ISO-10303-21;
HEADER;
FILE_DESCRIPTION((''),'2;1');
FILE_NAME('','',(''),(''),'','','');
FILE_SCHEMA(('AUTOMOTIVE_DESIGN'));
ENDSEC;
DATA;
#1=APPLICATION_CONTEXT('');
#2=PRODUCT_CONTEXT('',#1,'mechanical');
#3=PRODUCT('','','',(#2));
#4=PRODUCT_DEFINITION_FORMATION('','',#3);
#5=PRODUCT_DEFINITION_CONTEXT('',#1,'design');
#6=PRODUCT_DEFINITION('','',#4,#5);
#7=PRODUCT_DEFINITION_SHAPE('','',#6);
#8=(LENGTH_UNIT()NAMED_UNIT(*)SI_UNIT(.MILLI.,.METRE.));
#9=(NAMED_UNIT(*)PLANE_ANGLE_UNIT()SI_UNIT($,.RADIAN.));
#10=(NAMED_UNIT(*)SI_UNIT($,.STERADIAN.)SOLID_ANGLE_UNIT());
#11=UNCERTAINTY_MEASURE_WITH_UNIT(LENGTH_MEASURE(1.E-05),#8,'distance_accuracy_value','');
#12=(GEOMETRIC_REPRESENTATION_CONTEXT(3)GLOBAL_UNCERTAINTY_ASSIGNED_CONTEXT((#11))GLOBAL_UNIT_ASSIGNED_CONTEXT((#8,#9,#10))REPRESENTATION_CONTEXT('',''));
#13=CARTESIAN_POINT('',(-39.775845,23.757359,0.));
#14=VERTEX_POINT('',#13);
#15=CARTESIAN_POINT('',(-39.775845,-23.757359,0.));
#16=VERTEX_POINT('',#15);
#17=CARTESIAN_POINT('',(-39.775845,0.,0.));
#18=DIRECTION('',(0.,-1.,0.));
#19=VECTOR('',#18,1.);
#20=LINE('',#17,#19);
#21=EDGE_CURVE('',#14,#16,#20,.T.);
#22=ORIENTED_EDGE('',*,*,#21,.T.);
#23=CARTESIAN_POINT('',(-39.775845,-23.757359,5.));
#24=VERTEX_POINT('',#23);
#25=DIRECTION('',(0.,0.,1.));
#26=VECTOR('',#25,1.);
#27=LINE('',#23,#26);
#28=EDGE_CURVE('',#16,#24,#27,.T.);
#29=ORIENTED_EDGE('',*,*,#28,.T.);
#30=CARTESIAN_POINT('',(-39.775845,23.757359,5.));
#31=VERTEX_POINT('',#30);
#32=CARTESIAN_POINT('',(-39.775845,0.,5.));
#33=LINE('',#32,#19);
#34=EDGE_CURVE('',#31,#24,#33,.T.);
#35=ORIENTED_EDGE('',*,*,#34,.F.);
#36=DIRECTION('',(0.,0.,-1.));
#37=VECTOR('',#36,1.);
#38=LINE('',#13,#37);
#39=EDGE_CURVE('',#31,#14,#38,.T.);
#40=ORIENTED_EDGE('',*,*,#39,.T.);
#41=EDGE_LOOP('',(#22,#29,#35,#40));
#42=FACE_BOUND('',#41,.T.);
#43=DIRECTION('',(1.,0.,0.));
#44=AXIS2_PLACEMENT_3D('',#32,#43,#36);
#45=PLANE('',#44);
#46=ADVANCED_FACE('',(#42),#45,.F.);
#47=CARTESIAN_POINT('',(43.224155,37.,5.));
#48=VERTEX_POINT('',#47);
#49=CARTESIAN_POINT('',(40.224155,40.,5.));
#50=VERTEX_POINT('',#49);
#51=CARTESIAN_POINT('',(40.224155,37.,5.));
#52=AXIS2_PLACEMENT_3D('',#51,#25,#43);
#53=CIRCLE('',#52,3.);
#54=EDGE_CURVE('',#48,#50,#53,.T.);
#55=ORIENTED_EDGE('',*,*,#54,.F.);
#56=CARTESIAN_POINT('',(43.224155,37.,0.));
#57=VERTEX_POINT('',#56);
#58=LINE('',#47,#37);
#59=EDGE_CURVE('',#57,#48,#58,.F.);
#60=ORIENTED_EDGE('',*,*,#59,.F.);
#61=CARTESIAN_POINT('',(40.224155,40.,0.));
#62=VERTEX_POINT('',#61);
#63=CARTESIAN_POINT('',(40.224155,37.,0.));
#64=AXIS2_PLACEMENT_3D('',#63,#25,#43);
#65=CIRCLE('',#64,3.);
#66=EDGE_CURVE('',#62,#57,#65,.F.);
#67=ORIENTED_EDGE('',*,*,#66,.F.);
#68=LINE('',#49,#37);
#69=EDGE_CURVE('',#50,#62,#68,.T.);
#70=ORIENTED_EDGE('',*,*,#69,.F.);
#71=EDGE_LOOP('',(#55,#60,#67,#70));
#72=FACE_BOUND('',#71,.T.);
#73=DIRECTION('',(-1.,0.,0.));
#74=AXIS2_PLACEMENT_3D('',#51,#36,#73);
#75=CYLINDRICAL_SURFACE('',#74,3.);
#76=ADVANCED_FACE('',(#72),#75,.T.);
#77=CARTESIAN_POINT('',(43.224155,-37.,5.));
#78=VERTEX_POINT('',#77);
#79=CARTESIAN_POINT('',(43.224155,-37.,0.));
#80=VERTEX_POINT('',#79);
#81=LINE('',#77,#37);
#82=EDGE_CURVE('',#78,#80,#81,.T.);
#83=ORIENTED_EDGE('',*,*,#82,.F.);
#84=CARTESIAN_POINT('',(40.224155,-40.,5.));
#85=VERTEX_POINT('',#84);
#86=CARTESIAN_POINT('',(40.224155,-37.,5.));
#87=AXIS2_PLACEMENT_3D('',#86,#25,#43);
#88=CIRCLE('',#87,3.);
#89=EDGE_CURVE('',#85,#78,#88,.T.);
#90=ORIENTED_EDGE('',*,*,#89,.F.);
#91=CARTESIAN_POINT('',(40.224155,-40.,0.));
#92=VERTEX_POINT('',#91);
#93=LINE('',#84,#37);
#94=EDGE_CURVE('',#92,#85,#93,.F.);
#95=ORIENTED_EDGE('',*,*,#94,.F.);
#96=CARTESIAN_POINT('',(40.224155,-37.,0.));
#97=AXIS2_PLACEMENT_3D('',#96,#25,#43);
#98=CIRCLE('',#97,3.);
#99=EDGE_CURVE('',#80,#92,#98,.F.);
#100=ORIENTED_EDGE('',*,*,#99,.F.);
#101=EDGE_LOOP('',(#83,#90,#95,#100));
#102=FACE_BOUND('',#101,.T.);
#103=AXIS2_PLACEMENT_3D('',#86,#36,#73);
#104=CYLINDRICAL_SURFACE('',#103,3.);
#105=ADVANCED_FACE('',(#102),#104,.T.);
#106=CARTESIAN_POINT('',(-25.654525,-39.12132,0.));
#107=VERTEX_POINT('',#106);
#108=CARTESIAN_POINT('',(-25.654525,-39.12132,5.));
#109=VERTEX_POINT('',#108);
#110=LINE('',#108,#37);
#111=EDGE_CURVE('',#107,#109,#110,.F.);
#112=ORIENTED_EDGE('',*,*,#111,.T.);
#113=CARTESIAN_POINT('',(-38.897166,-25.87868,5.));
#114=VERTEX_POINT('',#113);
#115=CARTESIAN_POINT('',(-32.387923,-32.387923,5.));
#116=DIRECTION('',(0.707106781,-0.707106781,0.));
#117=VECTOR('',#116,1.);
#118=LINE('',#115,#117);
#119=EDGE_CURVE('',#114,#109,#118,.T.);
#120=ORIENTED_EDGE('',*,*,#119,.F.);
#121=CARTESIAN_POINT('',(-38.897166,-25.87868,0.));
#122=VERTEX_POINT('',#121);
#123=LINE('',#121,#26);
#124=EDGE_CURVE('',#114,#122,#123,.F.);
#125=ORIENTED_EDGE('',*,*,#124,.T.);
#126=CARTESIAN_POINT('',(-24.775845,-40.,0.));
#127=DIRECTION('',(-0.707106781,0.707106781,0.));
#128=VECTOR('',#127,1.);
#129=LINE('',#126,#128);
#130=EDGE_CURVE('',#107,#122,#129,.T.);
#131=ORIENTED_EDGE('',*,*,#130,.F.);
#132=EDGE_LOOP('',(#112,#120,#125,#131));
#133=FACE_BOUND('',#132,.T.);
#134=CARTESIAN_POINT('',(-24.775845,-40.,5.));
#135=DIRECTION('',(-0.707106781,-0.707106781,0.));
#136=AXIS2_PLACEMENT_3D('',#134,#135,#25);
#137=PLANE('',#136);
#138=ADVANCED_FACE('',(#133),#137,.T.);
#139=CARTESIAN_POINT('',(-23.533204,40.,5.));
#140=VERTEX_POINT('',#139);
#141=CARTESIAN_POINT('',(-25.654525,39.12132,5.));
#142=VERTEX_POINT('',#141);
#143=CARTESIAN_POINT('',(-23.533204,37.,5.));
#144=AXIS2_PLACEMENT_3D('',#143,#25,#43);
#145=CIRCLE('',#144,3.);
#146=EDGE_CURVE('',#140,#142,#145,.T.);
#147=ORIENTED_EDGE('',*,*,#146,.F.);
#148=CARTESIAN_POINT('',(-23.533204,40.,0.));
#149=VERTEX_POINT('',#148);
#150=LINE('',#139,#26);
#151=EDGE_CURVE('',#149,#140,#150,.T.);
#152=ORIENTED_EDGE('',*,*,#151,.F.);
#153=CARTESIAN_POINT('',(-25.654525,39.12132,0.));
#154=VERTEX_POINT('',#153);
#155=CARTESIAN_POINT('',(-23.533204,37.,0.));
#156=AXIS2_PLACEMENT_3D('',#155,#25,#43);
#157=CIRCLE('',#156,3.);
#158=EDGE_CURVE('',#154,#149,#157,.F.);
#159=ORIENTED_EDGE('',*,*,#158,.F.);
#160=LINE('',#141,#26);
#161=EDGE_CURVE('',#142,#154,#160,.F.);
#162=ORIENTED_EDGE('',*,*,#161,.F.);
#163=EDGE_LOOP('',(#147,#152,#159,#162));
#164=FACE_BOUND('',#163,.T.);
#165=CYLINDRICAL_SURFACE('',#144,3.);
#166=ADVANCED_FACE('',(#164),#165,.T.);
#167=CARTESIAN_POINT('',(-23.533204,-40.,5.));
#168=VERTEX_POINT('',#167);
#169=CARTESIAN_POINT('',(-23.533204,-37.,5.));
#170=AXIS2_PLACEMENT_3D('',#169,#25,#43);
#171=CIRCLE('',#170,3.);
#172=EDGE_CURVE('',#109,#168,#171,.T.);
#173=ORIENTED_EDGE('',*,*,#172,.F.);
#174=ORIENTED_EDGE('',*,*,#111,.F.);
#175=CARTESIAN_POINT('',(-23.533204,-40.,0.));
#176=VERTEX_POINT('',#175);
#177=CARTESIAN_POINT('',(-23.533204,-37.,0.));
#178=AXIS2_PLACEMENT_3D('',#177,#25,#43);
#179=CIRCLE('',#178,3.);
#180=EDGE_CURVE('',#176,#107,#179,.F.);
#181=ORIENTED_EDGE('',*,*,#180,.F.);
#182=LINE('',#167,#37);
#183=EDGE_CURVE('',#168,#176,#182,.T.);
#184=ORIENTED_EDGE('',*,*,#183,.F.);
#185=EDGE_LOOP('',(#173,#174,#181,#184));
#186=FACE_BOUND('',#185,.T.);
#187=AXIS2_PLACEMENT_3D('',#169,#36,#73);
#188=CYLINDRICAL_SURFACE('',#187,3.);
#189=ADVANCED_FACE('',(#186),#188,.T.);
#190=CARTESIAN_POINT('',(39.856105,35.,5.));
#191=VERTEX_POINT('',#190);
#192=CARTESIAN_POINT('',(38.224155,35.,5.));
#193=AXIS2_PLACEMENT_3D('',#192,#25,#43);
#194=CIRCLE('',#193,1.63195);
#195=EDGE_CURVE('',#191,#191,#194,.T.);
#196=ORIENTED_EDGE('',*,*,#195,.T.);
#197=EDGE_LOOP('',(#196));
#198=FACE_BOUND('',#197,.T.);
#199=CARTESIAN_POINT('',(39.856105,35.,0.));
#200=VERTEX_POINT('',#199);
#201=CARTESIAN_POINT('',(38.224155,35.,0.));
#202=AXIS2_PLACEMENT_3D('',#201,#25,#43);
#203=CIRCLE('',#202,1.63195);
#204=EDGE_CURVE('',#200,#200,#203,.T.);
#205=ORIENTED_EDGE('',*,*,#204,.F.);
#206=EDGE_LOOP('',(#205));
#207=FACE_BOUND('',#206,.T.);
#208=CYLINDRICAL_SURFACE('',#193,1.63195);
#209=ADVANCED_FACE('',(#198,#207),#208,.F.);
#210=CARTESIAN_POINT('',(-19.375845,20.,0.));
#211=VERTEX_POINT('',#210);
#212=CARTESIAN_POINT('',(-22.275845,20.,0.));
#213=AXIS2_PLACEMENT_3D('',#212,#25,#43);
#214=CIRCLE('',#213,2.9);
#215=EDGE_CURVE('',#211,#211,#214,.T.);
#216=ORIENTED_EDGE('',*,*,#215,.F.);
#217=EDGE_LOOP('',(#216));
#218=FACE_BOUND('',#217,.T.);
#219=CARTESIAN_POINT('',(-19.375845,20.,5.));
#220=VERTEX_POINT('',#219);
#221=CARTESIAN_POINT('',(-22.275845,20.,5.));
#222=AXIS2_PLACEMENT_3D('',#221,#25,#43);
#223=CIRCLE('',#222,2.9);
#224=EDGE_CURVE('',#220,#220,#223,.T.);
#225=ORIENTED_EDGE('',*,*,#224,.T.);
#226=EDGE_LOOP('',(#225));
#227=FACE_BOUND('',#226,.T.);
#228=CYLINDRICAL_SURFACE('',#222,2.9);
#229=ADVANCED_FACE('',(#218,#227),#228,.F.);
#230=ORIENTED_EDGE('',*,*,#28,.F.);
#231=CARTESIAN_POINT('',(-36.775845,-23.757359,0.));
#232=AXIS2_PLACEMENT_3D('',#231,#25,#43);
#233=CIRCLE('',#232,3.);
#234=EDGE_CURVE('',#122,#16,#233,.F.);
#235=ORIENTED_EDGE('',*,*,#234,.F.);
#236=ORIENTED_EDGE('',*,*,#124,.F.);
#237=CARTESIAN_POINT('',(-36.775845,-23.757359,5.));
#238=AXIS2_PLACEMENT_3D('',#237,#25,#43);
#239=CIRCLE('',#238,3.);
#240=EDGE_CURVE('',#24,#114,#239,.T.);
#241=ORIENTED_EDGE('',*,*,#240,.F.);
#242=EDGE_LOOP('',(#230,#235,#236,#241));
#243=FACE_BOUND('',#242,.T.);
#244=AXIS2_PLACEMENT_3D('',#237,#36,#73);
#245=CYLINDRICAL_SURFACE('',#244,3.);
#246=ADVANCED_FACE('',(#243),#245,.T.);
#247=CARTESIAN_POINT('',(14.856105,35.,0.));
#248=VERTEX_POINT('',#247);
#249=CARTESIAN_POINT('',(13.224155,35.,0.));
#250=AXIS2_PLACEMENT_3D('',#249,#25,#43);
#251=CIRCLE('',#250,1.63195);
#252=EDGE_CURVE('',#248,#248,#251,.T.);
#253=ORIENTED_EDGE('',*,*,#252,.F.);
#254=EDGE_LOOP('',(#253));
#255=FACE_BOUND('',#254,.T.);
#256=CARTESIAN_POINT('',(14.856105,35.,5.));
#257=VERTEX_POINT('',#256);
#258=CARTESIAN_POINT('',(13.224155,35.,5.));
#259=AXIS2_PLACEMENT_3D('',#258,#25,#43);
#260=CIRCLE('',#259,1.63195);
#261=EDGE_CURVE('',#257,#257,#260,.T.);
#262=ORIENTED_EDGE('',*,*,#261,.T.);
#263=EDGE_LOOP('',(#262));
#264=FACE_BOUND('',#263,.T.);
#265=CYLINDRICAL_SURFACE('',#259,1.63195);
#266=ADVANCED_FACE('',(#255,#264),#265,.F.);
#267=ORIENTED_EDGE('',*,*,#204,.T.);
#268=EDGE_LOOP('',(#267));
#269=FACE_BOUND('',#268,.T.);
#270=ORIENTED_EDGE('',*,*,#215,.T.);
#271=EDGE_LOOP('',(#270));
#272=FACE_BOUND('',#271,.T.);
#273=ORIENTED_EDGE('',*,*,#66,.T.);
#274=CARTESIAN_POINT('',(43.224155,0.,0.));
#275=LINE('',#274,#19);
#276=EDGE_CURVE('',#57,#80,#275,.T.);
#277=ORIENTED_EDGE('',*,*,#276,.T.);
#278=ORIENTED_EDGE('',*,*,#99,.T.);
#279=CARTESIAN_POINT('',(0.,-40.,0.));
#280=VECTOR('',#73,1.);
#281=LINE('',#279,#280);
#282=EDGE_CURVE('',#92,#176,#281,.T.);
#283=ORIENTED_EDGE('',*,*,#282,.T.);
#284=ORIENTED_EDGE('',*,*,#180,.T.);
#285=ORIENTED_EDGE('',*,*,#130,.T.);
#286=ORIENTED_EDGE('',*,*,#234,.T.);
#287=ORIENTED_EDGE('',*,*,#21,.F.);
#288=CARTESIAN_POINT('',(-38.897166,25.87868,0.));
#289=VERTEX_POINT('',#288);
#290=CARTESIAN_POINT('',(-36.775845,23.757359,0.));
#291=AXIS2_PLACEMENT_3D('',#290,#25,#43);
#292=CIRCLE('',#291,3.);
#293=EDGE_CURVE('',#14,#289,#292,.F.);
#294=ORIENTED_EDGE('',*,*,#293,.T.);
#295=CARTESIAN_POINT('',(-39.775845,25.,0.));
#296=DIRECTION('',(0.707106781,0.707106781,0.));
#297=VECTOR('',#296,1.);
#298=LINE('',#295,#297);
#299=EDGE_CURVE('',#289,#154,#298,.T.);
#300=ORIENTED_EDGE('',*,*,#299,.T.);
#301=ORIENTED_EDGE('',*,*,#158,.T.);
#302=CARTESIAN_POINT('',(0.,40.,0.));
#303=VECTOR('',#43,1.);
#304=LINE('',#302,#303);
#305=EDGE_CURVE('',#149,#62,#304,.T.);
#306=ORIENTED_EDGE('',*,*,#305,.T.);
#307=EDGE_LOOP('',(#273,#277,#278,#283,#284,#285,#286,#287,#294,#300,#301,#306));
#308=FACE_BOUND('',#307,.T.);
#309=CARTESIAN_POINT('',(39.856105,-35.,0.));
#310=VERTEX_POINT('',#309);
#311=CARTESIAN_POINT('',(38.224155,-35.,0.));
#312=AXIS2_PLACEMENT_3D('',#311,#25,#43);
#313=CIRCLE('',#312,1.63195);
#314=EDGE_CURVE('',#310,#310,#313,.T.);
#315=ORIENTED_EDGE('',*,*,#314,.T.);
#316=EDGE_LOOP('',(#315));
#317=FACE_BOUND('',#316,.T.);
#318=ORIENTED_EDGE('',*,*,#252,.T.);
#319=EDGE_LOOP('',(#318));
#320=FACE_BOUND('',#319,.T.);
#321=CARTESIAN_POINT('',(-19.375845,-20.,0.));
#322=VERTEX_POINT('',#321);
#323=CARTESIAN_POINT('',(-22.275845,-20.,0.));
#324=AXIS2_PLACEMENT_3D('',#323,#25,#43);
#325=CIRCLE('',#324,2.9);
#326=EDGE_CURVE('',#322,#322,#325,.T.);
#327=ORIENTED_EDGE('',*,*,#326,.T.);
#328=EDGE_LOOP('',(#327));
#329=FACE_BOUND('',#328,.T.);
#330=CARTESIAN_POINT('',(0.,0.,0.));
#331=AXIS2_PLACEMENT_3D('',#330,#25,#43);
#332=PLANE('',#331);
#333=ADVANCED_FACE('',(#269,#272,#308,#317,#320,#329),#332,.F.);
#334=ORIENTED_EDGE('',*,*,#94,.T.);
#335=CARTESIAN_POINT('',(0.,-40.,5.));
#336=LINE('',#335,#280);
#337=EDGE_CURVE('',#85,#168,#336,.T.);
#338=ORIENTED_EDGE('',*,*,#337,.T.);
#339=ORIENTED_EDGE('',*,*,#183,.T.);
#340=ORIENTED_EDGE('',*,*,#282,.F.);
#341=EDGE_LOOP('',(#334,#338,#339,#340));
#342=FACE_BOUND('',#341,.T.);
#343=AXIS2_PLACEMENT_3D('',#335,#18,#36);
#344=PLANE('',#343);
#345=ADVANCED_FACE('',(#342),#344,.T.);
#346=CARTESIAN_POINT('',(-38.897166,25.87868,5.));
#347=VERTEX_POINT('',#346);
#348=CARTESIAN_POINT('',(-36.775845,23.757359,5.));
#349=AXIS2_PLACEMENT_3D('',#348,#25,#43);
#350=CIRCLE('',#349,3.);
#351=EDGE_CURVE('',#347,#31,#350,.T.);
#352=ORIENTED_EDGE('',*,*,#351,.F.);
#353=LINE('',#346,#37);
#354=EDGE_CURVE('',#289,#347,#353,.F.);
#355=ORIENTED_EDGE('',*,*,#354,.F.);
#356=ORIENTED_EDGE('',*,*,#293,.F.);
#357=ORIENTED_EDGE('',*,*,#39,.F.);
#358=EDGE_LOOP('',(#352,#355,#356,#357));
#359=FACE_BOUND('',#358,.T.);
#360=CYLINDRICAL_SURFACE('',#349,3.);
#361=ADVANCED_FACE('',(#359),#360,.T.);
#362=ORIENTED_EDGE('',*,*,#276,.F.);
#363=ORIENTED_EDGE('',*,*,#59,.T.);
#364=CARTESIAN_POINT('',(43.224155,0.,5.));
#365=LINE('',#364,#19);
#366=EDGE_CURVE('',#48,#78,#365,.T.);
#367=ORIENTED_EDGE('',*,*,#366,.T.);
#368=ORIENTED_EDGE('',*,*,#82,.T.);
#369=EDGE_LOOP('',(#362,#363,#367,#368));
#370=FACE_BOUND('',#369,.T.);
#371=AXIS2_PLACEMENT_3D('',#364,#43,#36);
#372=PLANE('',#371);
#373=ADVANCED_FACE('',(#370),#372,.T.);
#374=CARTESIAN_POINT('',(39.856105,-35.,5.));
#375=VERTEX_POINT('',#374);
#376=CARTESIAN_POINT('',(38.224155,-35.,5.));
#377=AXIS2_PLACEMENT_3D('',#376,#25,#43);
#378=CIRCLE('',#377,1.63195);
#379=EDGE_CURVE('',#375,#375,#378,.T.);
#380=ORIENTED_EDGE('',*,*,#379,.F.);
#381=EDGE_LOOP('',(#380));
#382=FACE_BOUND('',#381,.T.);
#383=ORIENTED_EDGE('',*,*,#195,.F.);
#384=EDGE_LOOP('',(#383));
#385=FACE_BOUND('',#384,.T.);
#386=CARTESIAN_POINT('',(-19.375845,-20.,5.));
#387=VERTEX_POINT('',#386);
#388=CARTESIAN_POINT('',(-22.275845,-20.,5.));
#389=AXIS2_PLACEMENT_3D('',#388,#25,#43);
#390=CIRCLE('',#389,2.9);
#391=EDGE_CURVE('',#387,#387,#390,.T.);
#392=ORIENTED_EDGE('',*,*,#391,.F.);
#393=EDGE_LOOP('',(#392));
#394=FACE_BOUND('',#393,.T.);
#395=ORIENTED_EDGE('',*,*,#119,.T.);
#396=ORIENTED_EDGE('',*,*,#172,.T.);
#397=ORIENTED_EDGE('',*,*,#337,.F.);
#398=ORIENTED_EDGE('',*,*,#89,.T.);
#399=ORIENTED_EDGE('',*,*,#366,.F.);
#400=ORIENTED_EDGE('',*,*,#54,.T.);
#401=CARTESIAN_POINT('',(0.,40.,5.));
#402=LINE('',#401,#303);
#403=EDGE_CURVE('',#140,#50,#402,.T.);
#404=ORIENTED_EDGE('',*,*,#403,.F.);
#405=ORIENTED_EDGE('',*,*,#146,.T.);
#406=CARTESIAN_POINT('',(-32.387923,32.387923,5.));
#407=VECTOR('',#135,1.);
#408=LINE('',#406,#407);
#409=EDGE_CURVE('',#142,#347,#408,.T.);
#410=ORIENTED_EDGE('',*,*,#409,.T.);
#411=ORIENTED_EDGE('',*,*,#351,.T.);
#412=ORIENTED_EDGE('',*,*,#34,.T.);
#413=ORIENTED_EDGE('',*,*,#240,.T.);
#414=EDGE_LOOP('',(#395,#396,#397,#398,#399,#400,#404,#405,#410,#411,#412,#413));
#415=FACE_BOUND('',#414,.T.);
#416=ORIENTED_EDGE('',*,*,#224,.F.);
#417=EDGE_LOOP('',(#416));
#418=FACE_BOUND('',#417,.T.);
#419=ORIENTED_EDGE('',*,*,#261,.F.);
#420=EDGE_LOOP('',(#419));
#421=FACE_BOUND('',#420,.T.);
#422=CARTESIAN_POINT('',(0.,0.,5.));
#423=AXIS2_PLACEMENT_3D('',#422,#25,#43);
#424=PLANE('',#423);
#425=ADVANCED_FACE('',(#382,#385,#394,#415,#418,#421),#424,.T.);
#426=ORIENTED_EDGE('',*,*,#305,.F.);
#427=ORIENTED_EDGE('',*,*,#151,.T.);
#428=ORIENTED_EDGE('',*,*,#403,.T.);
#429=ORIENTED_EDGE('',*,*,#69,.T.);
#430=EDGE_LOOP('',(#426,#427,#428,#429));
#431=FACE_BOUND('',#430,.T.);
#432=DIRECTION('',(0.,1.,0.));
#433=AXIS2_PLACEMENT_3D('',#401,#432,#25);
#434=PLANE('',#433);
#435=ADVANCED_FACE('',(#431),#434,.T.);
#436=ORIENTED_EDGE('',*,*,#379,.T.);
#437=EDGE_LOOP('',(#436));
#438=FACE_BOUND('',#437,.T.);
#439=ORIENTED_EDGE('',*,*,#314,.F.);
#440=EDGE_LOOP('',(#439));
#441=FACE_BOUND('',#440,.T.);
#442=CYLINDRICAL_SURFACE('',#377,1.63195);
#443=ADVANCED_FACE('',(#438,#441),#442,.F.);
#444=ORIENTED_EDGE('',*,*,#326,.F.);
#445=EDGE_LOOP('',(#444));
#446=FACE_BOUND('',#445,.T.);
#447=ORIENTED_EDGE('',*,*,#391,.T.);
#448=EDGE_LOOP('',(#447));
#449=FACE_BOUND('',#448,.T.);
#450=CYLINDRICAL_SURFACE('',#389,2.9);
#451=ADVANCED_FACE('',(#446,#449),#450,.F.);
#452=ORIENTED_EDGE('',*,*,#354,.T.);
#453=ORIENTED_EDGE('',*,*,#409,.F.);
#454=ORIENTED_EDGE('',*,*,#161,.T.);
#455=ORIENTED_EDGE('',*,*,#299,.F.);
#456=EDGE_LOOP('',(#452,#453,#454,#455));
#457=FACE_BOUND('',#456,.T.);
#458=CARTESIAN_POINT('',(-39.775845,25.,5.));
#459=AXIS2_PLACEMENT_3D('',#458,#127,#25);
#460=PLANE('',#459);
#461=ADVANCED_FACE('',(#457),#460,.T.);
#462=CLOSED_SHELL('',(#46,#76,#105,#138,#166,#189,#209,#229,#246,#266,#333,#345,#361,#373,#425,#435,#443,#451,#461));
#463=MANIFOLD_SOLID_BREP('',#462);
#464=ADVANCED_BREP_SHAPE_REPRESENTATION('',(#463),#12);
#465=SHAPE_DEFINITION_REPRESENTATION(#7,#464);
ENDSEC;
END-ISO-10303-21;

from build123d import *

# Parameters (mm, degrees)
BASE_W                = 83
BASE_H                = 80
MAIN_DEPTH            = 5
GEAR_AXIS_HOLES_D     = 5.8
CHAMFER1_SIZE         = 15
FILLET6_R             = 3
F_4_CLEARANCE_HOLE1_D = 3.2639


with BuildPart() as part:
    # Base → Main (new body)
    with BuildSketch(Plane.XY):
        with Locations((1.724154817, 0)):
            Rectangle(BASE_W, BASE_H)
    extrude(amount=MAIN_DEPTH)

    # Gear Axis Holes (through all)
    with Locations(Plane(origin=(0, 0, 5), x_dir=(-1, 0, 0), z_dir=(0, 0, 1))):
        with Locations((22.275845183, 20), (22.275845183, -20)):
            Hole(GEAR_AXIS_HOLES_D / 2)

    # Chamfer1
    chamfer1_edges = [part.edges().sort_by_distance(p)[0] for p in [
        (-39.775845183, -40, 2.5),
        (-39.775845183, 40, 2.5),
    ]]
    chamfer(chamfer1_edges, length=CHAMFER1_SIZE)

    # Fillet6
    fillet6_edges = [part.edges().sort_by_distance(p)[0] for p in [
        (-24.775845183, -40, 2.5),
        (-39.775845183, 25, 2.5),
        (-39.775845183, -25, 2.5),
        (-24.775845183, 40, 2.5),
        (43.224154817, 40, 2.5),
        (43.224154817, -40, 2.5),
    ]]
    fillet(fillet6_edges, radius=FILLET6_R)

    # #4 Clearance Hole1 (through all)
    with Locations(Plane.XY.offset(5)):
        with Locations((13.224154817, 35), (38.224154817, 35), (38.224154817, -35)):
            Hole(F_4_CLEARANCE_HOLE1_D / 2)


solid = part.part
